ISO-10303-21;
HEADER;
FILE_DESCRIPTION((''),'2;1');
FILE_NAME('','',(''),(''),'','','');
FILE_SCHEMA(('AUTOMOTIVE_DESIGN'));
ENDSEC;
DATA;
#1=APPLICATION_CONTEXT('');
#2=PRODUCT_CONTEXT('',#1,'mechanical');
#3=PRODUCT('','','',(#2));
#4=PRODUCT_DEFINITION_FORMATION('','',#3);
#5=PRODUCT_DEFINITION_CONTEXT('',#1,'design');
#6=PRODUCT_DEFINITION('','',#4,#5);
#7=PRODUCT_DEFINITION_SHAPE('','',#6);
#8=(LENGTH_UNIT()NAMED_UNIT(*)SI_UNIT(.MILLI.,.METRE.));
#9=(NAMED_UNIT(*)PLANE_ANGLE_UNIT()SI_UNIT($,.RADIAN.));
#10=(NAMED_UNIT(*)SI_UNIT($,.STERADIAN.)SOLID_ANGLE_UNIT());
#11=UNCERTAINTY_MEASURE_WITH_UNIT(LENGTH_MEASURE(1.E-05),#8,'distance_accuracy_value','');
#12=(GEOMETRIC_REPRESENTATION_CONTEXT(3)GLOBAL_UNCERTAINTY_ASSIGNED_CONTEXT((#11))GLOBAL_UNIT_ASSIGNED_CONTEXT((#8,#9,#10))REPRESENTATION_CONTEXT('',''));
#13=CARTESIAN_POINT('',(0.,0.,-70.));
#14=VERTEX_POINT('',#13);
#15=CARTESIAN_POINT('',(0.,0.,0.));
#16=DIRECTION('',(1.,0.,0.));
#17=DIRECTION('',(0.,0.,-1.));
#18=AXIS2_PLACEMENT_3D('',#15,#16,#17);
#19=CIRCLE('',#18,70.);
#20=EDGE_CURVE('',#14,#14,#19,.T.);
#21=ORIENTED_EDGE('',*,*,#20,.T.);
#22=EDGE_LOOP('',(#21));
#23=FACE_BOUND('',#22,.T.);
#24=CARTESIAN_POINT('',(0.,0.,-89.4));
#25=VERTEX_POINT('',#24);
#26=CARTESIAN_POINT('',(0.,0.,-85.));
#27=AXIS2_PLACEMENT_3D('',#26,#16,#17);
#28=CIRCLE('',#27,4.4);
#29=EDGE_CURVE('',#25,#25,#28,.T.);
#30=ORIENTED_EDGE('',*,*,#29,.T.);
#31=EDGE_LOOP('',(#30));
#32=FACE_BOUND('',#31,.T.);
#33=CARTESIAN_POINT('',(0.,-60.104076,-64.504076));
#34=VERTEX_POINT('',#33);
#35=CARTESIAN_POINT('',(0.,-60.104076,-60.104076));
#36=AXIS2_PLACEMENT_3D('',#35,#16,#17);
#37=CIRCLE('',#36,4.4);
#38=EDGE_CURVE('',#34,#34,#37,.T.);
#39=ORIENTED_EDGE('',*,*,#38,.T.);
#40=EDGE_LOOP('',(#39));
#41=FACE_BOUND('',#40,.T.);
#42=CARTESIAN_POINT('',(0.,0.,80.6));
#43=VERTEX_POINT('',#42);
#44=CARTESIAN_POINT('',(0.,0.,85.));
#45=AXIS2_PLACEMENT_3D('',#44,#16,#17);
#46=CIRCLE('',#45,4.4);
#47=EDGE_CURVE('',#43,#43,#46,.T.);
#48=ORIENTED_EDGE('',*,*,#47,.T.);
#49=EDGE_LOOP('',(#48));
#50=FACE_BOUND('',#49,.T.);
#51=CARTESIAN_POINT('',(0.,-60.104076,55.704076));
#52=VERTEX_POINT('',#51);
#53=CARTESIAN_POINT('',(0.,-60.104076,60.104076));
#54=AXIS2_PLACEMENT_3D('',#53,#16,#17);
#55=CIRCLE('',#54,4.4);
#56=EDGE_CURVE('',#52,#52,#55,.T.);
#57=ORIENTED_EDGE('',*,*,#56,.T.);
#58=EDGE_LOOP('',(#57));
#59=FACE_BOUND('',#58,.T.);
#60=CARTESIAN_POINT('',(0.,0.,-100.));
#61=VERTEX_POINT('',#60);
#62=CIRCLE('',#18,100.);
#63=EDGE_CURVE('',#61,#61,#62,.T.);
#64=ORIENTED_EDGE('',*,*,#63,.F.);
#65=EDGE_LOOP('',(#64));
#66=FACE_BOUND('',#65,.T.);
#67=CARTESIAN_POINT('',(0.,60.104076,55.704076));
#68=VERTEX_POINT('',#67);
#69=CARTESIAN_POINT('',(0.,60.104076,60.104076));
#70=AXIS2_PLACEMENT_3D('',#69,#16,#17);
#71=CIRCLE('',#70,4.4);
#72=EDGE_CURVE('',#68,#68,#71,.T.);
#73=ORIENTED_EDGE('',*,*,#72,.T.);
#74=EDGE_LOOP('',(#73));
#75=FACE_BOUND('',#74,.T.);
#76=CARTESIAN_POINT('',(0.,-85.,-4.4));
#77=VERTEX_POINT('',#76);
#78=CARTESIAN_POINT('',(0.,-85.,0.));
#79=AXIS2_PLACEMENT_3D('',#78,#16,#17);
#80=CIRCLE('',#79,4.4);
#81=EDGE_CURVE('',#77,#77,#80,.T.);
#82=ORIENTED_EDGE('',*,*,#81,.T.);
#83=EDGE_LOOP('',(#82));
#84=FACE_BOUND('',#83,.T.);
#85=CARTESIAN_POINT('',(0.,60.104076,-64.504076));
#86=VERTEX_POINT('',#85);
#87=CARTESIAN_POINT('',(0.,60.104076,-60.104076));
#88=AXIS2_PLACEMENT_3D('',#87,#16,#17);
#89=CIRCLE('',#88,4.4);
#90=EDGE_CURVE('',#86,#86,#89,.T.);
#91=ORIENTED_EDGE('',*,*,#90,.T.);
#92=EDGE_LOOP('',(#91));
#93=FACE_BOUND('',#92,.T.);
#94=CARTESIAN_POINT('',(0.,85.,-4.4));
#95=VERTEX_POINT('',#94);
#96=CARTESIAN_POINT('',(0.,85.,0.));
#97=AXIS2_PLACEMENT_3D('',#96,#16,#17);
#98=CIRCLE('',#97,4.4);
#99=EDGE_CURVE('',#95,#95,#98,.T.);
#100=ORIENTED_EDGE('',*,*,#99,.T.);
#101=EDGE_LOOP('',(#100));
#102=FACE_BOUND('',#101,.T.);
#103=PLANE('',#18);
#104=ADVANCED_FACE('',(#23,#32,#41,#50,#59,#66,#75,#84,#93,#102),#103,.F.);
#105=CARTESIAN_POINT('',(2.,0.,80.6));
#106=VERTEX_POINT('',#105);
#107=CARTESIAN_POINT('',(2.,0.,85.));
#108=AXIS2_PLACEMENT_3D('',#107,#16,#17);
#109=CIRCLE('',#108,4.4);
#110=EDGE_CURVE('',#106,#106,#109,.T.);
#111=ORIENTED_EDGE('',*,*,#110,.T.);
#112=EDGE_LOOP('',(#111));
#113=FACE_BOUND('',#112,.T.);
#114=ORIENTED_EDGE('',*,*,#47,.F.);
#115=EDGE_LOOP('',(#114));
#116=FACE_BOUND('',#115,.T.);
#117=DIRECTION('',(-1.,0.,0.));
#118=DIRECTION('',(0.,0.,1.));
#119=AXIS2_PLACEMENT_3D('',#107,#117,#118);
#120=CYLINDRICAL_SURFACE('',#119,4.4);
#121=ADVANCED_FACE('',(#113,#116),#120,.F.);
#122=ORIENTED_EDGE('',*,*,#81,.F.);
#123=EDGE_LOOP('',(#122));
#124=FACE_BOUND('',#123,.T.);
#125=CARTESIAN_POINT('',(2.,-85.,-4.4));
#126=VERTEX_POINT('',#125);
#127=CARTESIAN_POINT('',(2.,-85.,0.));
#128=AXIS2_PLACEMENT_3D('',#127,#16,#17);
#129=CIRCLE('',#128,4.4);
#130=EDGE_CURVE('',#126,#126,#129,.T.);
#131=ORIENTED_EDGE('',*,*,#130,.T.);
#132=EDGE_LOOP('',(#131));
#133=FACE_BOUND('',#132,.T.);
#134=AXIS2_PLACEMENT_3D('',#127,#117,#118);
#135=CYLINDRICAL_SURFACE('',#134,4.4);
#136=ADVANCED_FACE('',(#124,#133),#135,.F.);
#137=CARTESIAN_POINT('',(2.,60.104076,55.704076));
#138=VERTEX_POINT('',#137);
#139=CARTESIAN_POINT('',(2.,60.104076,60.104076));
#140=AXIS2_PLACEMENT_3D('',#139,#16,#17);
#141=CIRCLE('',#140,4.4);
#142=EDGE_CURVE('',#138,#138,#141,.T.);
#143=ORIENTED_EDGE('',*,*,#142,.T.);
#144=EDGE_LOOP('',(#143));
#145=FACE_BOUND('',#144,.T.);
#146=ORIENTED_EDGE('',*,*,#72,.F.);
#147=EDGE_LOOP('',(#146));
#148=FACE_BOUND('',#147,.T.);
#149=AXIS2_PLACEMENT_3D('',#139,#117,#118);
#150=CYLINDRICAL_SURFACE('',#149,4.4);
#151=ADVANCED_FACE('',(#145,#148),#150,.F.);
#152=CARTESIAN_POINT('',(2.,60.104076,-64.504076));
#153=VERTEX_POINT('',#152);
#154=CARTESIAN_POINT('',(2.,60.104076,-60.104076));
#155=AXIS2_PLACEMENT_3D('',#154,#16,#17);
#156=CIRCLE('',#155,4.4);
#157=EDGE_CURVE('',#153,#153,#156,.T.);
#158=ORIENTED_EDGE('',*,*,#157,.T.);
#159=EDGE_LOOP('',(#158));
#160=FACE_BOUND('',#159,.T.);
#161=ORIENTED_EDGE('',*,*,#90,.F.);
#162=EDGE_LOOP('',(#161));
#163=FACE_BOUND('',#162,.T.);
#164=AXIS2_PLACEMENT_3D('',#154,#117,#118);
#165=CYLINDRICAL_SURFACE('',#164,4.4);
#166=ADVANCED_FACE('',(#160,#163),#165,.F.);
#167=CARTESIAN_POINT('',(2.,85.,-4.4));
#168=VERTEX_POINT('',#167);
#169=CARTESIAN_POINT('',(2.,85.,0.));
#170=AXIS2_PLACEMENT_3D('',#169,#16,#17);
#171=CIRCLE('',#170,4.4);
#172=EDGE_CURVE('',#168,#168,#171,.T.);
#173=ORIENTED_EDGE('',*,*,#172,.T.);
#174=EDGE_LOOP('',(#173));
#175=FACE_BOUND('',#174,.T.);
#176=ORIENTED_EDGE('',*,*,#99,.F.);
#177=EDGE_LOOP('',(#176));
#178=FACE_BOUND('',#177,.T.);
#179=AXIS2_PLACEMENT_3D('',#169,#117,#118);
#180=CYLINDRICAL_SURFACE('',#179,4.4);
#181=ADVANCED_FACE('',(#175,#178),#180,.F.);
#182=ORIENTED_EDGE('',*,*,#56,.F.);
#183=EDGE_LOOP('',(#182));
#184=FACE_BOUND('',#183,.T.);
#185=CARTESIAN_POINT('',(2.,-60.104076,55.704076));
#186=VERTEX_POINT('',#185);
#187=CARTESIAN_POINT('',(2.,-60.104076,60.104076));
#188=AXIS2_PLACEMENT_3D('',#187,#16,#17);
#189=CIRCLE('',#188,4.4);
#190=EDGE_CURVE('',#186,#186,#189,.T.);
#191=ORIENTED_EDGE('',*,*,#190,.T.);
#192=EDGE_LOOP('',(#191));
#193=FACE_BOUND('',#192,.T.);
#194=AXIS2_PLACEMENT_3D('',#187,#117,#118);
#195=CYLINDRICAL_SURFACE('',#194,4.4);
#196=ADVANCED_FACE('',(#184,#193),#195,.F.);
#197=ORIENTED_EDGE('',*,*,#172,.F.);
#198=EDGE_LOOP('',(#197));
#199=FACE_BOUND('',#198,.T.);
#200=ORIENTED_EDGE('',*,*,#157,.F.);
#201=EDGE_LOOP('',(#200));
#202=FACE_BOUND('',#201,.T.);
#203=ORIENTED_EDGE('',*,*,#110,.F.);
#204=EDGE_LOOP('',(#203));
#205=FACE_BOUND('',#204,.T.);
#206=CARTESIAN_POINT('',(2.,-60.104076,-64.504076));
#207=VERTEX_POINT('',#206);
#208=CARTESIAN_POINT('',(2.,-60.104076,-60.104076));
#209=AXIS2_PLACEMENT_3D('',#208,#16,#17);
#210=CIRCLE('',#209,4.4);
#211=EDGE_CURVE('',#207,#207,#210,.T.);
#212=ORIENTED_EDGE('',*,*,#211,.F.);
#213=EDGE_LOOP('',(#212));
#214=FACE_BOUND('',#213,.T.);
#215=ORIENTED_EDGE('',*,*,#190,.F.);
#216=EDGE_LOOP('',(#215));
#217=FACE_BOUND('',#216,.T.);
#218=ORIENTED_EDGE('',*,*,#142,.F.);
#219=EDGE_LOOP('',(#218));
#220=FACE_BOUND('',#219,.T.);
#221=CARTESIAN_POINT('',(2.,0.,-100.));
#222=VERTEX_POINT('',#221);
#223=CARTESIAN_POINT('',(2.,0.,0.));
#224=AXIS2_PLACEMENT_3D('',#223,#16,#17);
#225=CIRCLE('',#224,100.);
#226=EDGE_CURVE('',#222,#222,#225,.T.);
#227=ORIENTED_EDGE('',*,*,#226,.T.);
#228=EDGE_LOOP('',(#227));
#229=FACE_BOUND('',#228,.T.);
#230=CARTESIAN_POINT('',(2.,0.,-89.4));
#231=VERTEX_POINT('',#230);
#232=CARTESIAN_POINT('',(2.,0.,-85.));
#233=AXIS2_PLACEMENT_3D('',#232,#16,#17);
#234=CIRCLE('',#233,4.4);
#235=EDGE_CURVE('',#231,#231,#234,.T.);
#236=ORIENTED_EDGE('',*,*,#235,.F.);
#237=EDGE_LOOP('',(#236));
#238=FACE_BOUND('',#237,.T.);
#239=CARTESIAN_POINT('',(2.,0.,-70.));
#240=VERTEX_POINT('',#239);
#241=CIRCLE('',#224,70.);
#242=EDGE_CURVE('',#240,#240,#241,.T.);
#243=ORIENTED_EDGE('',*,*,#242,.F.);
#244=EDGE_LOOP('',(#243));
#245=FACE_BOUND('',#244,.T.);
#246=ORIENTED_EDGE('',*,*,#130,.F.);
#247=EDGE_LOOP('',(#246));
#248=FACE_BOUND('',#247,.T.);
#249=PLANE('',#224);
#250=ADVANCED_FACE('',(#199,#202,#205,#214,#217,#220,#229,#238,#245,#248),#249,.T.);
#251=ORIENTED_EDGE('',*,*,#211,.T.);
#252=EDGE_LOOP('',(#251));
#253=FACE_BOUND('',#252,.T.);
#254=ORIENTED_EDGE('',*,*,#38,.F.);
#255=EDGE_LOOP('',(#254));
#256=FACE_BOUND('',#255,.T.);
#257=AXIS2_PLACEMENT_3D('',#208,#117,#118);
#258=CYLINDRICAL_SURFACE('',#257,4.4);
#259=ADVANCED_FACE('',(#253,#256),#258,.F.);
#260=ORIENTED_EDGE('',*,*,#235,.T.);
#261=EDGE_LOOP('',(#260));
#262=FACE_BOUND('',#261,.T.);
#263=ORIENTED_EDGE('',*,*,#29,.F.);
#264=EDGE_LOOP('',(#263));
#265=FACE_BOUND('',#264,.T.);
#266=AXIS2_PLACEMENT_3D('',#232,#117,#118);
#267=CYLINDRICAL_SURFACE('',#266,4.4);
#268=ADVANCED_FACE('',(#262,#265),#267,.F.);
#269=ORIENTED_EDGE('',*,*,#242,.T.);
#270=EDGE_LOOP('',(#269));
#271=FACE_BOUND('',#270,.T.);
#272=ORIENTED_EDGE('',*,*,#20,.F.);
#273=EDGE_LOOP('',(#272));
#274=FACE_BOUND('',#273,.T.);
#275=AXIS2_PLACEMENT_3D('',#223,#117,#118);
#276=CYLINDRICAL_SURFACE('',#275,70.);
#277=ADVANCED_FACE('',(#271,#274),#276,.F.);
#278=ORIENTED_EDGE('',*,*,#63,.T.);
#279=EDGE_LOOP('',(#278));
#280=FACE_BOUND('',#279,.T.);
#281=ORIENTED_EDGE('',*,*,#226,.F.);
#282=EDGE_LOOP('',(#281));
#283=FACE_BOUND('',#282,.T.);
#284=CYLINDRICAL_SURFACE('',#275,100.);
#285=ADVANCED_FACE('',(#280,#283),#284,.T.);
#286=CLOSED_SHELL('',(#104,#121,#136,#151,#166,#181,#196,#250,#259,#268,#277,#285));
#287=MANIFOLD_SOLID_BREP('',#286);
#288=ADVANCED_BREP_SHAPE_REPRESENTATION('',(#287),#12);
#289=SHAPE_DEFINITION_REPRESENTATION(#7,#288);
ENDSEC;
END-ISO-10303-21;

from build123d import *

# Parameters (mm, degrees)
SKETCH_1_R      = 100
SKETCH_1_R_2    = 70
SKETCH_1_R_3    = 4.4
EXTRUDE_1_DEPTH = 2


with BuildPart() as part:
    # Эскиз1 → Бобышка-Вытянуть1 (new body)
    with BuildSketch(Plane(origin=(0, 0, 0), x_dir=(0, 0, -1), z_dir=(1, 0, 0))):
        Circle(SKETCH_1_R)
        Circle(SKETCH_1_R_2, mode=Mode.SUBTRACT)
        with Locations((0, 85)):
            Circle(SKETCH_1_R_3, mode=Mode.SUBTRACT)
        with Locations((60.104076401, 60.104076401)):
            Circle(SKETCH_1_R_3, mode=Mode.SUBTRACT)
        with Locations((85, 0)):
            Circle(SKETCH_1_R_3, mode=Mode.SUBTRACT)
        with Locations((60.104076401, -60.104076401)):
            Circle(SKETCH_1_R_3, mode=Mode.SUBTRACT)
        with Locations((0, -85)):
            Circle(SKETCH_1_R_3, mode=Mode.SUBTRACT)
        with Locations((-60.104076401, -60.104076401)):
            Circle(SKETCH_1_R_3, mode=Mode.SUBTRACT)
        with Locations((-85, 0)):
            Circle(SKETCH_1_R_3, mode=Mode.SUBTRACT)
        with Locations((-60.104076401, 60.104076401)):
            Circle(SKETCH_1_R_3, mode=Mode.SUBTRACT)
    extrude(amount=EXTRUDE_1_DEPTH)


solid = part.part
